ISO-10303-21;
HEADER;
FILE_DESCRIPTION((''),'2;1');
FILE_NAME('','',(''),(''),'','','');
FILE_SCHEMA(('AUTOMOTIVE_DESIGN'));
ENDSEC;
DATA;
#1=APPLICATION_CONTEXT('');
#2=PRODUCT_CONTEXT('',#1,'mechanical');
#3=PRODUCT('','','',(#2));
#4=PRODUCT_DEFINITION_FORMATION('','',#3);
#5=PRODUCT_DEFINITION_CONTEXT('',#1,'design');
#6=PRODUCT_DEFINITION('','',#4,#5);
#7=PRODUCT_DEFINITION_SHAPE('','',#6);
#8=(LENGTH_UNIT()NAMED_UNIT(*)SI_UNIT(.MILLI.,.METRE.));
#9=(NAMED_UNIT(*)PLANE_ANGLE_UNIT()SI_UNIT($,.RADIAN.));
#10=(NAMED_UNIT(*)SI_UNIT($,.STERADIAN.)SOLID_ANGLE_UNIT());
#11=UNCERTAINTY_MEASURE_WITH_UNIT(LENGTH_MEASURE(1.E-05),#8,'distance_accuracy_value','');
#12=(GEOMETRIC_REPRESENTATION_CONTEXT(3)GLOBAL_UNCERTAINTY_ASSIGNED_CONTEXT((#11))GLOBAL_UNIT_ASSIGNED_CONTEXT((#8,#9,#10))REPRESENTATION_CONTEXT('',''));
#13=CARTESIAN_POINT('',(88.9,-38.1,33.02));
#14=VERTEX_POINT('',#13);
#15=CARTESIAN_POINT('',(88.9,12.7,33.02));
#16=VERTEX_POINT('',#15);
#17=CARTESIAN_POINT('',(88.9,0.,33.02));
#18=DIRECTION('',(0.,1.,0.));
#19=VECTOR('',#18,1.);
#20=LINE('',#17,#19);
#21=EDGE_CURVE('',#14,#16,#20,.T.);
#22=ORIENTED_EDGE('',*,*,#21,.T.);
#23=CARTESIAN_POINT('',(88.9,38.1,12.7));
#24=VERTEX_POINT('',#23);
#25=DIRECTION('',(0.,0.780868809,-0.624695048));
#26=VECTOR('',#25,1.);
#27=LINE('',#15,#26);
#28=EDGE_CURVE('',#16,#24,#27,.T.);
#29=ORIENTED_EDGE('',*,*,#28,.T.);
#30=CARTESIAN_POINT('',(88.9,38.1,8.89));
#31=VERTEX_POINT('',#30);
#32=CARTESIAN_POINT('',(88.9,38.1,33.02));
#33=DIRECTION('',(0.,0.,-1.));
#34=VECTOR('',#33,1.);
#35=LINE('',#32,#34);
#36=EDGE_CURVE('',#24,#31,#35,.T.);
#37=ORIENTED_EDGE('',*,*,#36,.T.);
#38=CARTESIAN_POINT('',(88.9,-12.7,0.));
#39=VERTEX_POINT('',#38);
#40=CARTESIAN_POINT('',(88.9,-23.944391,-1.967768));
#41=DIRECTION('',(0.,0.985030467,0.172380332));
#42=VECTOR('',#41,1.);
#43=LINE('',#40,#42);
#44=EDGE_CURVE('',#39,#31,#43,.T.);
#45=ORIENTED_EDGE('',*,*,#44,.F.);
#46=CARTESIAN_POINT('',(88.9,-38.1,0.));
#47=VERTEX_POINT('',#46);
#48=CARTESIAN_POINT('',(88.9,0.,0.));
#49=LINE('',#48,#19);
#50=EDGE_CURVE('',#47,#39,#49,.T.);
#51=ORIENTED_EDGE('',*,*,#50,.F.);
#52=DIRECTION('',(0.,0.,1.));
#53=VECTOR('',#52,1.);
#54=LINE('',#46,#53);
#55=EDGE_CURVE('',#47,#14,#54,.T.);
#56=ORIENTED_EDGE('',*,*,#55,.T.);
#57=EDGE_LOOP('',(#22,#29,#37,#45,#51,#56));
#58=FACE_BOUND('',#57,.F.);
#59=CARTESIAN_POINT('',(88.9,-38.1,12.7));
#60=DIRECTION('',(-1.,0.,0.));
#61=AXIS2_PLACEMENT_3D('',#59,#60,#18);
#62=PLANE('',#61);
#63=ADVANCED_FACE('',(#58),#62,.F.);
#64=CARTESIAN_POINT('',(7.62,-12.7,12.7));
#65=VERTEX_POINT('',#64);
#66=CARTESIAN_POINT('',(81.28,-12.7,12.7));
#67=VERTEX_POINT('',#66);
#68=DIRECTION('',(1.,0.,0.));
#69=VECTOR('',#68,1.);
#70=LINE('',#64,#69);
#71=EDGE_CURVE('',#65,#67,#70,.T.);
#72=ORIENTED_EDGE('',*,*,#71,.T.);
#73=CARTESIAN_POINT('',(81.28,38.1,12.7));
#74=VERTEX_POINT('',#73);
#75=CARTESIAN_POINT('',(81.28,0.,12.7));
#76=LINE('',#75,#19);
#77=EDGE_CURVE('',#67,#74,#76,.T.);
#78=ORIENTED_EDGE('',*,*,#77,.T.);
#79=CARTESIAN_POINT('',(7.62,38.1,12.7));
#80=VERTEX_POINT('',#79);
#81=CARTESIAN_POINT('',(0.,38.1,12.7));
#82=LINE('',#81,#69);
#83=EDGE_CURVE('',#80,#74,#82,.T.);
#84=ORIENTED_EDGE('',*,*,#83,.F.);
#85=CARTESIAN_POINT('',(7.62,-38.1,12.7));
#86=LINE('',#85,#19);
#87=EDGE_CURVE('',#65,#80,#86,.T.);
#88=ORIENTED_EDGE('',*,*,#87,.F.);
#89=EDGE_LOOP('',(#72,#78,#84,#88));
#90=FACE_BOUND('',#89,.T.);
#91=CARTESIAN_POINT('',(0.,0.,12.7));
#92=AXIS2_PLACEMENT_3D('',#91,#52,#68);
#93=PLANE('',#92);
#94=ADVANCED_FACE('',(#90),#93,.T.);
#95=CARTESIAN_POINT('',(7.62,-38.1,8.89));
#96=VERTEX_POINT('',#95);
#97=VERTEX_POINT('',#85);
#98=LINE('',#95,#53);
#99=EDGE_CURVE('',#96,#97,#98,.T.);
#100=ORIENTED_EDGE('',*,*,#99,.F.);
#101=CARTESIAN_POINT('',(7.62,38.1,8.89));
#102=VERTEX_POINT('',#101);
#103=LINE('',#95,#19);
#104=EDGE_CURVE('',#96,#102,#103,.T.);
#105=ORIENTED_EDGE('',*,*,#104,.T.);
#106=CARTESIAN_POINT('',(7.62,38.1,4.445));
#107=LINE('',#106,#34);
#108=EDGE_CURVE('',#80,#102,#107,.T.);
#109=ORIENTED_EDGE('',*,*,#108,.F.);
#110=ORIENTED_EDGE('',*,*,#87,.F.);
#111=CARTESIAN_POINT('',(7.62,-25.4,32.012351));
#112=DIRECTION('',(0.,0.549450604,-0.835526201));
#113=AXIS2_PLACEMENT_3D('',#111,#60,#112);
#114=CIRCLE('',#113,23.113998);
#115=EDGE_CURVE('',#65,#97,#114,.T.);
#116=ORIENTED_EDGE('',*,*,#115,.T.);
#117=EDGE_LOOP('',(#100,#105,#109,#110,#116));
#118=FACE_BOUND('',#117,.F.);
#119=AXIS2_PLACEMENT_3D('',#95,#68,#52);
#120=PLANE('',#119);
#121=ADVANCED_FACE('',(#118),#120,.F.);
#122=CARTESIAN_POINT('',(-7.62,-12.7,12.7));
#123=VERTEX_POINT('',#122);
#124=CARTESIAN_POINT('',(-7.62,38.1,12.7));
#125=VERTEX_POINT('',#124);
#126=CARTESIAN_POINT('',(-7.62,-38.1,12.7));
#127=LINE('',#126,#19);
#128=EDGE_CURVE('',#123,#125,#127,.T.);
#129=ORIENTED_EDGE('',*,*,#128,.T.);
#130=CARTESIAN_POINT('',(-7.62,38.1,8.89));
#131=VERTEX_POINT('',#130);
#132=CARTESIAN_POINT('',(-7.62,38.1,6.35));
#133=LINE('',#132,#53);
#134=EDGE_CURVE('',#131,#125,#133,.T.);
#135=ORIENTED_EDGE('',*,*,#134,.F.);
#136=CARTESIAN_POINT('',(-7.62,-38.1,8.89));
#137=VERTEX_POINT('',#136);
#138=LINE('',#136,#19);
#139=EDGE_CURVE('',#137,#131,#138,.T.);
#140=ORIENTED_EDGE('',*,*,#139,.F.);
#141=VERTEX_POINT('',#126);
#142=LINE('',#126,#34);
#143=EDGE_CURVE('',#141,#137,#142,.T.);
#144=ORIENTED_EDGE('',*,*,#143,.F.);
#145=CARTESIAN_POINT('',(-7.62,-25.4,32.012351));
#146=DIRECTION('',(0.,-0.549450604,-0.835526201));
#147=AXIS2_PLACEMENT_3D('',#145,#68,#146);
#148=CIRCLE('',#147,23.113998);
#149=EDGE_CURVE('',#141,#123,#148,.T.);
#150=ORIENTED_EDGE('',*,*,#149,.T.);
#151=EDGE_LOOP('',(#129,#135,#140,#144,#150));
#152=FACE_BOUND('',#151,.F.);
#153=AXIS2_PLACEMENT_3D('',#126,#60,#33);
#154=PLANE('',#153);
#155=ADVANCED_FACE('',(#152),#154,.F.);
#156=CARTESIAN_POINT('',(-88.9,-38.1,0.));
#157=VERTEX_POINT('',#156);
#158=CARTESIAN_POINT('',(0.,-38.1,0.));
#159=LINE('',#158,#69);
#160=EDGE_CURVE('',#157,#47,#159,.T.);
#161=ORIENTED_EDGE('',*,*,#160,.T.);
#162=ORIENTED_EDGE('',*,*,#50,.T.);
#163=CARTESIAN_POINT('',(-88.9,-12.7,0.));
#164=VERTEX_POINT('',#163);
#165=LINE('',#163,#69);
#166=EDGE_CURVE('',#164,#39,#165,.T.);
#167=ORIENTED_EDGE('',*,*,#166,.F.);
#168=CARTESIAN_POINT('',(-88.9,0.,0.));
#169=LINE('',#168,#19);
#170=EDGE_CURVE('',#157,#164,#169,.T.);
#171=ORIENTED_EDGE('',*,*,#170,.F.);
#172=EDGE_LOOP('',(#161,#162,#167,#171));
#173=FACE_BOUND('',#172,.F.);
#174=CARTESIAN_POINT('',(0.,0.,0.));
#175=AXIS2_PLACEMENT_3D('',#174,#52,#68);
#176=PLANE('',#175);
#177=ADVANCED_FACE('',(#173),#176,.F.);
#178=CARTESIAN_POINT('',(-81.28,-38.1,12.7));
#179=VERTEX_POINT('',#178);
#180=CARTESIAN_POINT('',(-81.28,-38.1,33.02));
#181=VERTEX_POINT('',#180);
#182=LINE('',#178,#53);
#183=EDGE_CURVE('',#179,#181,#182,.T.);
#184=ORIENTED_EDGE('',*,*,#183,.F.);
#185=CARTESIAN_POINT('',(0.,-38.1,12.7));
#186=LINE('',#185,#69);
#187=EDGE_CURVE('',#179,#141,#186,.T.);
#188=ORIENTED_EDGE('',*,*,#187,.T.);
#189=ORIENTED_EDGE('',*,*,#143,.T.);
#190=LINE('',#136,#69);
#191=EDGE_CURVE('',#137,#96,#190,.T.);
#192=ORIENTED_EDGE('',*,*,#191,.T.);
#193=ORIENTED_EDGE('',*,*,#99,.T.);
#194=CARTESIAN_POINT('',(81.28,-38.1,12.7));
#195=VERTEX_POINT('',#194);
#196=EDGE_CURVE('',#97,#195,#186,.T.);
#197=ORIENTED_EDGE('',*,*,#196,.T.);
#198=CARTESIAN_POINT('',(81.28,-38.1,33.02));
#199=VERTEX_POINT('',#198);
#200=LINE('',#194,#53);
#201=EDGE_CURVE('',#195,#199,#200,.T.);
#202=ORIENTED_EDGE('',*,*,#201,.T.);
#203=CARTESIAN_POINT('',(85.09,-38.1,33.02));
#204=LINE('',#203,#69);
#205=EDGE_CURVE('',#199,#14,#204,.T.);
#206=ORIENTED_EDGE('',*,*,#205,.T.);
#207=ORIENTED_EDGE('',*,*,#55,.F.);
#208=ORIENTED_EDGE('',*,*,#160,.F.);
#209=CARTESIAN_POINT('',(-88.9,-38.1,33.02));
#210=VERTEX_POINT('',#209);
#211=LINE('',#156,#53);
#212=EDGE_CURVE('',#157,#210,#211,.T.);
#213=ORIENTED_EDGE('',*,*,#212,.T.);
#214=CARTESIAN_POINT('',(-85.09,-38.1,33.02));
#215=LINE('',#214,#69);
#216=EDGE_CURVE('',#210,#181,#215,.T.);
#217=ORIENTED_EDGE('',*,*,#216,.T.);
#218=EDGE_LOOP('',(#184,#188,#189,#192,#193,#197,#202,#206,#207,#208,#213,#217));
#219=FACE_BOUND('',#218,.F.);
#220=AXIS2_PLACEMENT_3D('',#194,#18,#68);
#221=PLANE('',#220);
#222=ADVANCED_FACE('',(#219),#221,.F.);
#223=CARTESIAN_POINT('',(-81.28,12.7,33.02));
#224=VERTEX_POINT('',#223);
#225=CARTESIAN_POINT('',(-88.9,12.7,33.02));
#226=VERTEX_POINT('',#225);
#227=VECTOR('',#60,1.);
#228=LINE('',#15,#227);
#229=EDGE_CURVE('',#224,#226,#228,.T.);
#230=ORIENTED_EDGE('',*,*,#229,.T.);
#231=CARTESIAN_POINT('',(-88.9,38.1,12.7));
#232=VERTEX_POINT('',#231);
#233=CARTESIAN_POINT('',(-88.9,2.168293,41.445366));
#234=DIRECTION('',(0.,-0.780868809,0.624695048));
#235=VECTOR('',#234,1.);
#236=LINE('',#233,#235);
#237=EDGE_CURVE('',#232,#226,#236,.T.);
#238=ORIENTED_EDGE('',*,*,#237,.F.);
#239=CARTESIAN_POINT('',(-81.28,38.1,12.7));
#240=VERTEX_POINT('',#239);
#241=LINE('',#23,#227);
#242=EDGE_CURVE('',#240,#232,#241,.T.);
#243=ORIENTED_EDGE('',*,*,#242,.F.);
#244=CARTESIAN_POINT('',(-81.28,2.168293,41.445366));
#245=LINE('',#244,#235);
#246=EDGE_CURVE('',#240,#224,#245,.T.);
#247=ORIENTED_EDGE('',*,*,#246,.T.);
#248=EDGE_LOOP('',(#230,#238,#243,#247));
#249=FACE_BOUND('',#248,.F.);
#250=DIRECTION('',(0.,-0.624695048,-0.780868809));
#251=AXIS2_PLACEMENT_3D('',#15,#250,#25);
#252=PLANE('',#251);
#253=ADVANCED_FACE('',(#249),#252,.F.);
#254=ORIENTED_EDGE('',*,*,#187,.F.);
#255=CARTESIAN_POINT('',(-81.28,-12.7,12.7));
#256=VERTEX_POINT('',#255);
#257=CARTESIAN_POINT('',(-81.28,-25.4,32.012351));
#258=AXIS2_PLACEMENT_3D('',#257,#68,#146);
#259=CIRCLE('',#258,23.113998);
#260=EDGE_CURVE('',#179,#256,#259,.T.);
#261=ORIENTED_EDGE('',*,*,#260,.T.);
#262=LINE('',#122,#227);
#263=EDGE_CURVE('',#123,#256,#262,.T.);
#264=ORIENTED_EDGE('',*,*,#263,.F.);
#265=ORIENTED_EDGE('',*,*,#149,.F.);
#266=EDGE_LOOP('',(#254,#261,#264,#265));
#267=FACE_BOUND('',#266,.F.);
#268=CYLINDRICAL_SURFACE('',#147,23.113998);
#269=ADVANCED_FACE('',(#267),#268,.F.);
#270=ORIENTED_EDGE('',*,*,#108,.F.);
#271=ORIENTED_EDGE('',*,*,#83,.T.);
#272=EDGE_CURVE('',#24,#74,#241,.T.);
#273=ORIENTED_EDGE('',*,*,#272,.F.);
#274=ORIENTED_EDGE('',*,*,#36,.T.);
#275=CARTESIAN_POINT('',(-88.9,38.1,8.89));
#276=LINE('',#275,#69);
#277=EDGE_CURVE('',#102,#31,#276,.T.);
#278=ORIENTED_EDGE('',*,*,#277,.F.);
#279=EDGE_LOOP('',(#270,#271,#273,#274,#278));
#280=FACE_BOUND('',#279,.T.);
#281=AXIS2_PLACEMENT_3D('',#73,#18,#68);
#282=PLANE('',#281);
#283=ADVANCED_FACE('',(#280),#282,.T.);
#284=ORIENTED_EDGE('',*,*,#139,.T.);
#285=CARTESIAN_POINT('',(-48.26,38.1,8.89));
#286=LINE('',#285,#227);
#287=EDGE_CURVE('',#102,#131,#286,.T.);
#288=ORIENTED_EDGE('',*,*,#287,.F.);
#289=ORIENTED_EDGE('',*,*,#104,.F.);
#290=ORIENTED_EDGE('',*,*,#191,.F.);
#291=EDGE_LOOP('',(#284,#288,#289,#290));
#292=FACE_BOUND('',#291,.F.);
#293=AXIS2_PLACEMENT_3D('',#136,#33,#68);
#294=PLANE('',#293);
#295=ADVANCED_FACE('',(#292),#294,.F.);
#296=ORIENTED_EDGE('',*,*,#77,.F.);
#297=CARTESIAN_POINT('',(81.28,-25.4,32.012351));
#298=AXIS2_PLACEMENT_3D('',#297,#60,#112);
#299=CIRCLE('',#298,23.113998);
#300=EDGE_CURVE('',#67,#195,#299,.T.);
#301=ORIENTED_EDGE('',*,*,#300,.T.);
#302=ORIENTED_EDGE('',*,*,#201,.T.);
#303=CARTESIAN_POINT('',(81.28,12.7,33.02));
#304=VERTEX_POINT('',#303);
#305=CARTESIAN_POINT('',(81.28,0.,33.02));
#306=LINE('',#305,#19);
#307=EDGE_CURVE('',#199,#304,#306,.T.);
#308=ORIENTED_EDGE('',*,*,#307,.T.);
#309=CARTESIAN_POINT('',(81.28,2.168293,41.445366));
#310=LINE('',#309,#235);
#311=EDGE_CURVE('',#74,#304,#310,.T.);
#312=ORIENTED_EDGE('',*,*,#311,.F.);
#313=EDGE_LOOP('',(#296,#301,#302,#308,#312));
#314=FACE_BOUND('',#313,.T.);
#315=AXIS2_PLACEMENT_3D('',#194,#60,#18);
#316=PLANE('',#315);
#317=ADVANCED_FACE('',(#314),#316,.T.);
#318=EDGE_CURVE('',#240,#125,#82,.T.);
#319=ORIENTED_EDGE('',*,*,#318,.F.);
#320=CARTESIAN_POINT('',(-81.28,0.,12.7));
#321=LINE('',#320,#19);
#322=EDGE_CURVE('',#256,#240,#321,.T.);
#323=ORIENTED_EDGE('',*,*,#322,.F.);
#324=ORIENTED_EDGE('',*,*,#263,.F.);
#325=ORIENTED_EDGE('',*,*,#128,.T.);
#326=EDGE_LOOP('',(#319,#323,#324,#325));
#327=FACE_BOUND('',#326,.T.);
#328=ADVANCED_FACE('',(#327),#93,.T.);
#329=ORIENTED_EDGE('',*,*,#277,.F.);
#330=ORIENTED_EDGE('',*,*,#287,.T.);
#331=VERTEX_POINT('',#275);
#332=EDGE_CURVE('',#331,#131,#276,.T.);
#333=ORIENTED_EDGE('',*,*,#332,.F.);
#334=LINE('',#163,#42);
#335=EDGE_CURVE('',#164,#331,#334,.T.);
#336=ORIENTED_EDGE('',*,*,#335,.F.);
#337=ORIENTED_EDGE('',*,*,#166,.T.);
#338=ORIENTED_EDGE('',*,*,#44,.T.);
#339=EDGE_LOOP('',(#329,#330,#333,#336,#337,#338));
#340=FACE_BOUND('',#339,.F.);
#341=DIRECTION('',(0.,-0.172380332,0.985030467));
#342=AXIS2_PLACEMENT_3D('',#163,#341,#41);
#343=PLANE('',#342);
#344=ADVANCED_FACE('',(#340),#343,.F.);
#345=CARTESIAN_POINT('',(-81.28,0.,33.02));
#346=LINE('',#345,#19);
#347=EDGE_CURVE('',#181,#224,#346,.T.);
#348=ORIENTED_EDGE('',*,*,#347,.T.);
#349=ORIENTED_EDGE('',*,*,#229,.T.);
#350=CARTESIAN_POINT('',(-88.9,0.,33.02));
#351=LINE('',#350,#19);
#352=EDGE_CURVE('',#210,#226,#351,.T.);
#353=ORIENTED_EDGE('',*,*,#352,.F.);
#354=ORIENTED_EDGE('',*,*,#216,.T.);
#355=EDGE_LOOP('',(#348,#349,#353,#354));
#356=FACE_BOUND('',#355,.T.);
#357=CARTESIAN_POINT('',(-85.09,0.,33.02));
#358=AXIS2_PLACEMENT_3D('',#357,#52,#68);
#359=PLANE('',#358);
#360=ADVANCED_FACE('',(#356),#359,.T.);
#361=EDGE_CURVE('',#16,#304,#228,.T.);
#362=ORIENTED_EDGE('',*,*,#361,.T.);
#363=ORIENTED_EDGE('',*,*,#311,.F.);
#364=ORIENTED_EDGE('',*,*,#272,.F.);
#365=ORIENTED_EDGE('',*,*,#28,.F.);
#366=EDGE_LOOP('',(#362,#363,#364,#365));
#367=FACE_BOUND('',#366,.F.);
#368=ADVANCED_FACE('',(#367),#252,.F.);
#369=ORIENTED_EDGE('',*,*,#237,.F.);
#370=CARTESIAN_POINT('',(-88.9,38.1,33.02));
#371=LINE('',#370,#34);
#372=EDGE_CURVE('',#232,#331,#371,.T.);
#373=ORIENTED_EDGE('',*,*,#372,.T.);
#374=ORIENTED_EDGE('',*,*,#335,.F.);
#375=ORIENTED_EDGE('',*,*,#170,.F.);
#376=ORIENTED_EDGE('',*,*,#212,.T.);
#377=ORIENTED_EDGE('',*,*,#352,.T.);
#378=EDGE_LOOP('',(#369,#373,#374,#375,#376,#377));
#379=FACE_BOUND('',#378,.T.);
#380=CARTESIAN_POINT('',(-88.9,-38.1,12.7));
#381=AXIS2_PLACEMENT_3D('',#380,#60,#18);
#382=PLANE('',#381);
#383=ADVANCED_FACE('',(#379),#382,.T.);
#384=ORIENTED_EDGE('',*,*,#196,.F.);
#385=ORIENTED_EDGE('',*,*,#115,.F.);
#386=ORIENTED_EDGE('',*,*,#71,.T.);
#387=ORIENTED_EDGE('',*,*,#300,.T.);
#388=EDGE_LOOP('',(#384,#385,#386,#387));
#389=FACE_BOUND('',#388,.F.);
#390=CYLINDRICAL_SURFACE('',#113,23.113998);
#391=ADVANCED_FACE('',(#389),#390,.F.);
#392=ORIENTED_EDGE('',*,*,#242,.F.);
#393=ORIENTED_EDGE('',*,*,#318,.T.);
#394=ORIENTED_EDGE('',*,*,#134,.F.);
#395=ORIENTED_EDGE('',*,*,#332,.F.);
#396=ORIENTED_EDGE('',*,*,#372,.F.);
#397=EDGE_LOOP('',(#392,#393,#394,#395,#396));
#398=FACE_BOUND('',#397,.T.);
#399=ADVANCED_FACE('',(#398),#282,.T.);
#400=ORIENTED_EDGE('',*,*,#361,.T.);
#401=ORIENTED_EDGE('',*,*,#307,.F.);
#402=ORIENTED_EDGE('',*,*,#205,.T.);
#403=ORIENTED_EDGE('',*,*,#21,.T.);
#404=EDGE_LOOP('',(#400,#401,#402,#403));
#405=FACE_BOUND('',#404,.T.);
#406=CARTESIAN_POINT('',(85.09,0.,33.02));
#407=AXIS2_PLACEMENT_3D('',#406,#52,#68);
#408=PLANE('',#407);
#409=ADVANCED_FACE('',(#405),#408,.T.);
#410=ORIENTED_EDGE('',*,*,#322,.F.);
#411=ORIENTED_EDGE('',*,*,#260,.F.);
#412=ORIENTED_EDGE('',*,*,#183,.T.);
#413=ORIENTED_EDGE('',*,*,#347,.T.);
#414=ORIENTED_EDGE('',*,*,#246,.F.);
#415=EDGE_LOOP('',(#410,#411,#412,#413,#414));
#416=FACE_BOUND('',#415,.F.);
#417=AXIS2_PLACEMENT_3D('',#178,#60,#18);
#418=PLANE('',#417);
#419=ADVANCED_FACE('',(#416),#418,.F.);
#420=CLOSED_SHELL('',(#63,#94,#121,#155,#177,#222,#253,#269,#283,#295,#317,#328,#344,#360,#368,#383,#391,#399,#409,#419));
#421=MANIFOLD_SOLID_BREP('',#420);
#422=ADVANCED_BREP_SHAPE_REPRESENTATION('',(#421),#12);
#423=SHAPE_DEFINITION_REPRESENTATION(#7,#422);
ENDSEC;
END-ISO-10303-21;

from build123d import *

# Parameters (mm, degrees)
F0_W      = 177.8
F0_H      = 76.2
F1_DEPTH  = 12.7
F3_DEPTH  = 197.612
F4_W      = 7.62
F4_H      = 76.2
F5_DEPTH  = 20.32
F6_W      = 7.62
F6_H      = 76.2
F7_DEPTH  = 20.32
F9_DEPTH  = 73.66
F11_DEPTH = 73.66
F13_DEPTH = 228.6
F15_DEPTH = 228.6


with BuildPart() as f1:
    # F0 (on Top) → F1 (new body)
    with BuildSketch(Plane.XY):
        Rectangle(F0_W, F0_H)
    extrude(amount=F1_DEPTH)

    # F2 (on face) → F3 (cut)
    with BuildSketch(Plane.XZ.offset(38.1)):
        Polygon((-7.62, 8.89), (0, 8.89), (7.62, 8.89), (7.62, 12.7), (-7.62, 12.7), align=None)
    extrude(amount=-F3_DEPTH, mode=Mode.SUBTRACT)

    # F4 (on face) → F5 (join)
    with BuildSketch(Plane.XY.offset(12.7)):
        with Locations((-85.09, 0)):
            Rectangle(F4_W, F4_H)
    extrude(amount=F5_DEPTH)

    # F6 (on face) → F7 (join)
    with BuildSketch(Plane.XY.offset(12.7)):
        with Locations((85.09, 0)):
            Rectangle(F6_W, F6_H)
    extrude(amount=F7_DEPTH)

    # F8 (on face) → F9 (cut)
    with BuildSketch(Plane.YZ.offset(-7.62)):
        with BuildLine():
            Line((-12.7, 12.7), (-38.1, 12.7))
            ThreePointArc((-38.1, 12.7), (-25.4, 8.898353), (-12.7, 12.7))
        make_face()
    extrude(amount=-F9_DEPTH, mode=Mode.SUBTRACT)

    # F10 (on face) → F11 (cut)
    with BuildSketch(Plane(origin=(7.62, 0, 0), x_dir=(0, -1, 0), z_dir=(-1, 0, 0))):
        with BuildLine():
            ThreePointArc((12.7, 12.7), (25.4, 8.898353), (38.1, 12.7))
            Line((38.1, 12.7), (12.7, 12.7))
        make_face()
    extrude(amount=-F11_DEPTH, mode=Mode.SUBTRACT)

    # F12 (on face) → F13 (cut)
    with BuildSketch(Plane(origin=(-88.9, 0, 0), x_dir=(0, -1, 0), z_dir=(-1, 0, 0))):
        Polygon((-38.1, 0), (12.7, 0), (-38.1, 8.89), align=None)
    extrude(amount=-F13_DEPTH, mode=Mode.SUBTRACT)

    # F14 (on face) → F15 (cut)
    with BuildSketch(Plane.YZ.offset(88.9)):
        Polygon((38.1, 33.02), (12.7, 33.02), (38.1, 12.7), align=None)
    extrude(amount=-F15_DEPTH, mode=Mode.SUBTRACT)


solid = f1.part
